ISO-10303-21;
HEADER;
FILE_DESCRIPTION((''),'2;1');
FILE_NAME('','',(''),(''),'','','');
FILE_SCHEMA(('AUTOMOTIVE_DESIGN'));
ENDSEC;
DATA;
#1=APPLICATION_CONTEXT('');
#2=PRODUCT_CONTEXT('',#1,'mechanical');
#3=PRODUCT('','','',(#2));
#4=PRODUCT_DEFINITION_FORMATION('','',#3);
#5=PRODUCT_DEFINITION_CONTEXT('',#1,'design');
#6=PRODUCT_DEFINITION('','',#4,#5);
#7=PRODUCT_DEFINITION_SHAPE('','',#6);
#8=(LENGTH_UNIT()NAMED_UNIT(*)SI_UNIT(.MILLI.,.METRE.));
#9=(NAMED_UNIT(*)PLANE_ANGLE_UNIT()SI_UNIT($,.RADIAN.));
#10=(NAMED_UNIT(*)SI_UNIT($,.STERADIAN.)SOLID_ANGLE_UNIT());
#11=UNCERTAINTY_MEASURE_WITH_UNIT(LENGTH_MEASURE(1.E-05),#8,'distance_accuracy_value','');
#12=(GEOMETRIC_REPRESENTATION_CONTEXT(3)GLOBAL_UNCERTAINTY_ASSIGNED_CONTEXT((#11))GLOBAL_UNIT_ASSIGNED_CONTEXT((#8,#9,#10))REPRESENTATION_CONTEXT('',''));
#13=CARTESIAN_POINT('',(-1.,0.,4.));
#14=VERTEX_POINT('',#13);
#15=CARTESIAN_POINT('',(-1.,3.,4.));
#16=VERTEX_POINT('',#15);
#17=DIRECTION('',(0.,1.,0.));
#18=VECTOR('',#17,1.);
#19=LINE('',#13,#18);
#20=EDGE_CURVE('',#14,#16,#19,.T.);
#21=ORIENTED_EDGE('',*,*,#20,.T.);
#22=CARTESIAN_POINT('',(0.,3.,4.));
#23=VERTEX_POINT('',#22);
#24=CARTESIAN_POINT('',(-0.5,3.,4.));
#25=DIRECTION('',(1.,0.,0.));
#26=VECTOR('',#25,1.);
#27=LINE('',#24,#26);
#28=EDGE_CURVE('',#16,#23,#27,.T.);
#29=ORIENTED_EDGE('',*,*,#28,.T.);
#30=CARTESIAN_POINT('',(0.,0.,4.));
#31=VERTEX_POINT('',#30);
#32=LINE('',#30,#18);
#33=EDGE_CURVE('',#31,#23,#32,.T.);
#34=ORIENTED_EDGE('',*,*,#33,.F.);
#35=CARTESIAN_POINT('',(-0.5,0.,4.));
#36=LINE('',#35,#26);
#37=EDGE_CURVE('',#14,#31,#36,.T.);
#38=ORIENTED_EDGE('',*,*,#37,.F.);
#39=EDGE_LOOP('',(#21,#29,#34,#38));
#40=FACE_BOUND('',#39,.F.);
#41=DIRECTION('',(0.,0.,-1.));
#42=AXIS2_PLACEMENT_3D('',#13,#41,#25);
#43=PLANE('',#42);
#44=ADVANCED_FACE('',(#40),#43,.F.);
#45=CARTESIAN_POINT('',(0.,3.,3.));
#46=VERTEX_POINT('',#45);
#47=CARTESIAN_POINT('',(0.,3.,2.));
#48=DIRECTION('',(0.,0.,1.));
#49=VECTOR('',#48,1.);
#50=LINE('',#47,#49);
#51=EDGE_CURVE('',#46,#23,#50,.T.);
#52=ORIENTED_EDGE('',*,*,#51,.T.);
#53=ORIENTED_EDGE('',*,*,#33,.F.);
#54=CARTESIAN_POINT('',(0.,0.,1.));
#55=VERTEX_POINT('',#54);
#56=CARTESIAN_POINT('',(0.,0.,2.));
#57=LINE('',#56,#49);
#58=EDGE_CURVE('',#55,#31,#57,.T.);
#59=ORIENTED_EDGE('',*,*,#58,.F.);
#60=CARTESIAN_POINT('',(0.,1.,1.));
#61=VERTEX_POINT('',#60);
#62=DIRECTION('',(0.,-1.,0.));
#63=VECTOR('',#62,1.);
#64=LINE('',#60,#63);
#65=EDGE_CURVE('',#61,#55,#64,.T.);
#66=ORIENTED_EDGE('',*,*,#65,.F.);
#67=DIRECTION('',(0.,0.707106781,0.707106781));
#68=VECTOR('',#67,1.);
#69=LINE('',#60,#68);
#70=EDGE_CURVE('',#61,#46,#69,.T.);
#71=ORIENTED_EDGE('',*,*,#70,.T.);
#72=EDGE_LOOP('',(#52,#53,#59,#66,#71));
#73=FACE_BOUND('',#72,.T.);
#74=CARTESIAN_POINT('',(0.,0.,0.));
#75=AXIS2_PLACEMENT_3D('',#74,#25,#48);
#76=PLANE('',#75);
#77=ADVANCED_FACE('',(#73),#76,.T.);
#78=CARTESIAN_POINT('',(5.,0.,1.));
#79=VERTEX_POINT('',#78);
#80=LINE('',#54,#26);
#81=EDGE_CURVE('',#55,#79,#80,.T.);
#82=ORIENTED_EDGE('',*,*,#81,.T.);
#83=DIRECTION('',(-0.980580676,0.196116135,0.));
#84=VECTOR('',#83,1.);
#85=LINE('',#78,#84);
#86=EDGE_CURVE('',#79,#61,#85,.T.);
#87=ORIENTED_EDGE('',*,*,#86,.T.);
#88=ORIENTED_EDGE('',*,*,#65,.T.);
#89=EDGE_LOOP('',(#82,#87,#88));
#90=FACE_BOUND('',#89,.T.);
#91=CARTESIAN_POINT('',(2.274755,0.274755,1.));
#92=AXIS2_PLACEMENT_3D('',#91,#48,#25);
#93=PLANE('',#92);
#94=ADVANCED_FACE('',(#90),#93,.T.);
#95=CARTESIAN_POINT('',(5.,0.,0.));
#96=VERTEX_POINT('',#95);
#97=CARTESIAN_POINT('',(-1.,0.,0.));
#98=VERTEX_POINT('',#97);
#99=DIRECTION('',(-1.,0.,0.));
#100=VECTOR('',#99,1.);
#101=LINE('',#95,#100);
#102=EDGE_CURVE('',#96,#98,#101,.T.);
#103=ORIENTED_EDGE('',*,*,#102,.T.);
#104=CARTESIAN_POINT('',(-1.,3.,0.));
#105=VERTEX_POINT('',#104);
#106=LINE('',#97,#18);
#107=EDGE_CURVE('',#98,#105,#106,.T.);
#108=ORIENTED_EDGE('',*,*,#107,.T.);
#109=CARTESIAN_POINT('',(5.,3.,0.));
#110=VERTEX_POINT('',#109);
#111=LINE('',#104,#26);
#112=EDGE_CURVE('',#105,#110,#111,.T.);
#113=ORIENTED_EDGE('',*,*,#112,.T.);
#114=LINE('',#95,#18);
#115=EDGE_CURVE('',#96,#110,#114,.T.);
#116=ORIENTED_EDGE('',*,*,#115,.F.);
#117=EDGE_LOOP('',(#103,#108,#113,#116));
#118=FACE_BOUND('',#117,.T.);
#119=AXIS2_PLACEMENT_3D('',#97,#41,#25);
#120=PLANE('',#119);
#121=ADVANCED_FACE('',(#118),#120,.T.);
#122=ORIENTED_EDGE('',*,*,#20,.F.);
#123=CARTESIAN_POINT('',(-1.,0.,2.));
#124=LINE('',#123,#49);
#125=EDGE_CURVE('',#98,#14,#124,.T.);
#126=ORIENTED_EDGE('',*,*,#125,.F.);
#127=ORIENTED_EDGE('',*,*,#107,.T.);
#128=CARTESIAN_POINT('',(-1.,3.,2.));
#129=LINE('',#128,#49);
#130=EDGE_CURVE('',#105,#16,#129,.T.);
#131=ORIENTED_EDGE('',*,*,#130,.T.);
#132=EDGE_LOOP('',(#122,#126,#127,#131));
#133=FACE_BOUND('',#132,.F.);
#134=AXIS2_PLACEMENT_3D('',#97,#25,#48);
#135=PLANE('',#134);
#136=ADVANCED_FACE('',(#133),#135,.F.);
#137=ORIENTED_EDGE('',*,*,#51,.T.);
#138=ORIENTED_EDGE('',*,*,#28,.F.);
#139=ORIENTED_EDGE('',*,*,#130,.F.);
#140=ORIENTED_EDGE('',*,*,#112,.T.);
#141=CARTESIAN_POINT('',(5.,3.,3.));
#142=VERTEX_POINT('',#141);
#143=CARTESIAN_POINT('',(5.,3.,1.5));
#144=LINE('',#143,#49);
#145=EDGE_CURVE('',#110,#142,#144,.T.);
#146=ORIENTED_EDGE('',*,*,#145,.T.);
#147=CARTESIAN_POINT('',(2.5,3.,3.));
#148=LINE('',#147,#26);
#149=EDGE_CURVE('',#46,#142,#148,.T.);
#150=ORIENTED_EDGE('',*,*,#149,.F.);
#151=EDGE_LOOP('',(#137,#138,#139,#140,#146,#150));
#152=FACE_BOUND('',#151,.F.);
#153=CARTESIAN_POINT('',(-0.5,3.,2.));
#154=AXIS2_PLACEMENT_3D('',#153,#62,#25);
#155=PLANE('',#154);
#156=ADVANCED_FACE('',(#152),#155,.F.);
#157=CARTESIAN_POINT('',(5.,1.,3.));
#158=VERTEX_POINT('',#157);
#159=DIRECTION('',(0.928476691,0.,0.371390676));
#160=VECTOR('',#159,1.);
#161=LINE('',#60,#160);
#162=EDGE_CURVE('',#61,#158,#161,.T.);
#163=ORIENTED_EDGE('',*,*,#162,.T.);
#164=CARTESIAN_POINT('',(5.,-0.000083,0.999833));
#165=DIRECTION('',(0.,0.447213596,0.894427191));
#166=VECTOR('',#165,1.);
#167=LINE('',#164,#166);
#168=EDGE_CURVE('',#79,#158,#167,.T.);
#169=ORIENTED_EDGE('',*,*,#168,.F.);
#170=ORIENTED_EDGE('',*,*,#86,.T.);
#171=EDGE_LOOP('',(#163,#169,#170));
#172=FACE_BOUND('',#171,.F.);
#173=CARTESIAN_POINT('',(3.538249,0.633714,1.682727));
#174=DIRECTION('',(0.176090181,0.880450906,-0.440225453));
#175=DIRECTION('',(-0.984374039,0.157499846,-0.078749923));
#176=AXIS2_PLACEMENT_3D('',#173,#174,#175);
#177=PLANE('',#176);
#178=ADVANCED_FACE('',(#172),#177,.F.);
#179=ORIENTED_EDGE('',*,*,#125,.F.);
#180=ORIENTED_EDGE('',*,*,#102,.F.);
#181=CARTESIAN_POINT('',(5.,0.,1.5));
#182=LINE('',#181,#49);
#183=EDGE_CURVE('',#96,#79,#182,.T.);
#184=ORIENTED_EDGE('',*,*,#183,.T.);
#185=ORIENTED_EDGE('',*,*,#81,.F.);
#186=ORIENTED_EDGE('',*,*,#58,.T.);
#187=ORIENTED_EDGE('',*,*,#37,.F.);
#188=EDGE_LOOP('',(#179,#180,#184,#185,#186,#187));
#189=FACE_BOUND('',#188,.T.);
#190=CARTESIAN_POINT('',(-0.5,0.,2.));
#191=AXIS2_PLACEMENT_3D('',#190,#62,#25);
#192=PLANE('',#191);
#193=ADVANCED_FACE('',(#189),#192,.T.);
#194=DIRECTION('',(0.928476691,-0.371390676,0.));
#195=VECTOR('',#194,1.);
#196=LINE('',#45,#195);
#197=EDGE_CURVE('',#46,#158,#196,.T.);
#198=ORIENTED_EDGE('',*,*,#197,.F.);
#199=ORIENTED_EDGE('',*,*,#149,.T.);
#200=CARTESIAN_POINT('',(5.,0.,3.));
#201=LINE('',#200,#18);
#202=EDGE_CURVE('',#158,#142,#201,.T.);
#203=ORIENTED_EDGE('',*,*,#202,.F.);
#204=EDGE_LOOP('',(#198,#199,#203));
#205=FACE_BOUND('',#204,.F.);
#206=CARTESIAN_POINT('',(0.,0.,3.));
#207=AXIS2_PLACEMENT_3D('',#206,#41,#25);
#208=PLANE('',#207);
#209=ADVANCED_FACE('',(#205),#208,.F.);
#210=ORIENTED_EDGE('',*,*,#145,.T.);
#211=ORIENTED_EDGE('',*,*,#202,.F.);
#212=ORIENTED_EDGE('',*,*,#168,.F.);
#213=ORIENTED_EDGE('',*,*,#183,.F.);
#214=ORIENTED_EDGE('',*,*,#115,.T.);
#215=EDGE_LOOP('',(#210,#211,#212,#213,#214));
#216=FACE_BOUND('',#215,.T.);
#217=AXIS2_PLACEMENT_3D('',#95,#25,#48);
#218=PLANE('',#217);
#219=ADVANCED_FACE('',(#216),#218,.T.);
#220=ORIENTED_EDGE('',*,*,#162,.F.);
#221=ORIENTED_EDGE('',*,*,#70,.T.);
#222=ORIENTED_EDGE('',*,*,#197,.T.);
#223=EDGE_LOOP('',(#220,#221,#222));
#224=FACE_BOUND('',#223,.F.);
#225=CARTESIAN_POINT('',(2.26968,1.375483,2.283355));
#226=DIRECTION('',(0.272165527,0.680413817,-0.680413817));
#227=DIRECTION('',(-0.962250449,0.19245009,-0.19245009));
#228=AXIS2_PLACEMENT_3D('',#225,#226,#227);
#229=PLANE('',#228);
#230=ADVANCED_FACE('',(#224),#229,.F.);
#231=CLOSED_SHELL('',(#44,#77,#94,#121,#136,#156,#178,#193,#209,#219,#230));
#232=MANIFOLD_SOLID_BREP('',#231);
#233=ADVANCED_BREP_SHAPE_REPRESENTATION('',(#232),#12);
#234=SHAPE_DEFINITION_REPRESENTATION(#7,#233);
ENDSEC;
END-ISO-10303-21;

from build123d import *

# Parameters (mm, degrees)
F0_W      = 5
F0_H      = 3
F1_DEPTH  = 3
F3_DEPTH  = 2
F7_DEPTH  = 25
F10_DEPTH = 25
F11_W     = 1
F11_H     = 4
F12_DEPTH = 3


with BuildPart() as f1:
    # F0 (on Front) → F1 (new body)
    with BuildSketch(Plane.XZ):
        with Locations((2.5, 1.5)):
            Rectangle(F0_W, F0_H)
    extrude(amount=-F1_DEPTH)

    # F2 (on face) → F3 (cut)
    with BuildSketch(Plane.XY.offset(3)):
        Polygon((0, 1), (0, 0), (5, 0), align=None)
    extrude(amount=-F3_DEPTH, mode=Mode.SUBTRACT)

    # F6 (on 3pt) → F7 (cut)
    with BuildSketch(Plane(origin=(0.0775193798, 0.3875968992, -0.1937984496), x_dir=(-0.9843740387, 0.1574998462, -0.0787499231), z_dir=(0.1760901813, 0.8804509063, -0.4402254532))):
        Polygon((-5.0006201166, 0.894427191), (0.0787499231, 1.3416407865), (-5.0006201166, 3.1304951685), (-6.1923572794, 3.1304951685), (-6.2219146639, 0.894427191), align=None)
    extrude(amount=-F7_DEPTH, mode=Mode.SUBTRACT)

    # F9 (on 3pt) → F10 (cut)
    with BuildSketch(Plane(origin=(0, 0, 0), x_dir=(-0.9622504486, 0.1924500897, -0.1924500897), z_dir=(0.272165527, 0.6804138174, -0.6804138174))):
        Polygon((0, 1.4142135624), (0, 4.2426406871), (-5.1961524227, 2.8284271247), (-5.4845568387, 1.7687616367), align=None)
    extrude(amount=-F10_DEPTH, mode=Mode.SUBTRACT)

    # F11 (on Front) → F12 (join)
    with BuildSketch(Plane.XZ):
        with Locations((-0.5, 2)):
            Rectangle(F11_W, F11_H)
    extrude(amount=-F12_DEPTH)


solid = f1.part
